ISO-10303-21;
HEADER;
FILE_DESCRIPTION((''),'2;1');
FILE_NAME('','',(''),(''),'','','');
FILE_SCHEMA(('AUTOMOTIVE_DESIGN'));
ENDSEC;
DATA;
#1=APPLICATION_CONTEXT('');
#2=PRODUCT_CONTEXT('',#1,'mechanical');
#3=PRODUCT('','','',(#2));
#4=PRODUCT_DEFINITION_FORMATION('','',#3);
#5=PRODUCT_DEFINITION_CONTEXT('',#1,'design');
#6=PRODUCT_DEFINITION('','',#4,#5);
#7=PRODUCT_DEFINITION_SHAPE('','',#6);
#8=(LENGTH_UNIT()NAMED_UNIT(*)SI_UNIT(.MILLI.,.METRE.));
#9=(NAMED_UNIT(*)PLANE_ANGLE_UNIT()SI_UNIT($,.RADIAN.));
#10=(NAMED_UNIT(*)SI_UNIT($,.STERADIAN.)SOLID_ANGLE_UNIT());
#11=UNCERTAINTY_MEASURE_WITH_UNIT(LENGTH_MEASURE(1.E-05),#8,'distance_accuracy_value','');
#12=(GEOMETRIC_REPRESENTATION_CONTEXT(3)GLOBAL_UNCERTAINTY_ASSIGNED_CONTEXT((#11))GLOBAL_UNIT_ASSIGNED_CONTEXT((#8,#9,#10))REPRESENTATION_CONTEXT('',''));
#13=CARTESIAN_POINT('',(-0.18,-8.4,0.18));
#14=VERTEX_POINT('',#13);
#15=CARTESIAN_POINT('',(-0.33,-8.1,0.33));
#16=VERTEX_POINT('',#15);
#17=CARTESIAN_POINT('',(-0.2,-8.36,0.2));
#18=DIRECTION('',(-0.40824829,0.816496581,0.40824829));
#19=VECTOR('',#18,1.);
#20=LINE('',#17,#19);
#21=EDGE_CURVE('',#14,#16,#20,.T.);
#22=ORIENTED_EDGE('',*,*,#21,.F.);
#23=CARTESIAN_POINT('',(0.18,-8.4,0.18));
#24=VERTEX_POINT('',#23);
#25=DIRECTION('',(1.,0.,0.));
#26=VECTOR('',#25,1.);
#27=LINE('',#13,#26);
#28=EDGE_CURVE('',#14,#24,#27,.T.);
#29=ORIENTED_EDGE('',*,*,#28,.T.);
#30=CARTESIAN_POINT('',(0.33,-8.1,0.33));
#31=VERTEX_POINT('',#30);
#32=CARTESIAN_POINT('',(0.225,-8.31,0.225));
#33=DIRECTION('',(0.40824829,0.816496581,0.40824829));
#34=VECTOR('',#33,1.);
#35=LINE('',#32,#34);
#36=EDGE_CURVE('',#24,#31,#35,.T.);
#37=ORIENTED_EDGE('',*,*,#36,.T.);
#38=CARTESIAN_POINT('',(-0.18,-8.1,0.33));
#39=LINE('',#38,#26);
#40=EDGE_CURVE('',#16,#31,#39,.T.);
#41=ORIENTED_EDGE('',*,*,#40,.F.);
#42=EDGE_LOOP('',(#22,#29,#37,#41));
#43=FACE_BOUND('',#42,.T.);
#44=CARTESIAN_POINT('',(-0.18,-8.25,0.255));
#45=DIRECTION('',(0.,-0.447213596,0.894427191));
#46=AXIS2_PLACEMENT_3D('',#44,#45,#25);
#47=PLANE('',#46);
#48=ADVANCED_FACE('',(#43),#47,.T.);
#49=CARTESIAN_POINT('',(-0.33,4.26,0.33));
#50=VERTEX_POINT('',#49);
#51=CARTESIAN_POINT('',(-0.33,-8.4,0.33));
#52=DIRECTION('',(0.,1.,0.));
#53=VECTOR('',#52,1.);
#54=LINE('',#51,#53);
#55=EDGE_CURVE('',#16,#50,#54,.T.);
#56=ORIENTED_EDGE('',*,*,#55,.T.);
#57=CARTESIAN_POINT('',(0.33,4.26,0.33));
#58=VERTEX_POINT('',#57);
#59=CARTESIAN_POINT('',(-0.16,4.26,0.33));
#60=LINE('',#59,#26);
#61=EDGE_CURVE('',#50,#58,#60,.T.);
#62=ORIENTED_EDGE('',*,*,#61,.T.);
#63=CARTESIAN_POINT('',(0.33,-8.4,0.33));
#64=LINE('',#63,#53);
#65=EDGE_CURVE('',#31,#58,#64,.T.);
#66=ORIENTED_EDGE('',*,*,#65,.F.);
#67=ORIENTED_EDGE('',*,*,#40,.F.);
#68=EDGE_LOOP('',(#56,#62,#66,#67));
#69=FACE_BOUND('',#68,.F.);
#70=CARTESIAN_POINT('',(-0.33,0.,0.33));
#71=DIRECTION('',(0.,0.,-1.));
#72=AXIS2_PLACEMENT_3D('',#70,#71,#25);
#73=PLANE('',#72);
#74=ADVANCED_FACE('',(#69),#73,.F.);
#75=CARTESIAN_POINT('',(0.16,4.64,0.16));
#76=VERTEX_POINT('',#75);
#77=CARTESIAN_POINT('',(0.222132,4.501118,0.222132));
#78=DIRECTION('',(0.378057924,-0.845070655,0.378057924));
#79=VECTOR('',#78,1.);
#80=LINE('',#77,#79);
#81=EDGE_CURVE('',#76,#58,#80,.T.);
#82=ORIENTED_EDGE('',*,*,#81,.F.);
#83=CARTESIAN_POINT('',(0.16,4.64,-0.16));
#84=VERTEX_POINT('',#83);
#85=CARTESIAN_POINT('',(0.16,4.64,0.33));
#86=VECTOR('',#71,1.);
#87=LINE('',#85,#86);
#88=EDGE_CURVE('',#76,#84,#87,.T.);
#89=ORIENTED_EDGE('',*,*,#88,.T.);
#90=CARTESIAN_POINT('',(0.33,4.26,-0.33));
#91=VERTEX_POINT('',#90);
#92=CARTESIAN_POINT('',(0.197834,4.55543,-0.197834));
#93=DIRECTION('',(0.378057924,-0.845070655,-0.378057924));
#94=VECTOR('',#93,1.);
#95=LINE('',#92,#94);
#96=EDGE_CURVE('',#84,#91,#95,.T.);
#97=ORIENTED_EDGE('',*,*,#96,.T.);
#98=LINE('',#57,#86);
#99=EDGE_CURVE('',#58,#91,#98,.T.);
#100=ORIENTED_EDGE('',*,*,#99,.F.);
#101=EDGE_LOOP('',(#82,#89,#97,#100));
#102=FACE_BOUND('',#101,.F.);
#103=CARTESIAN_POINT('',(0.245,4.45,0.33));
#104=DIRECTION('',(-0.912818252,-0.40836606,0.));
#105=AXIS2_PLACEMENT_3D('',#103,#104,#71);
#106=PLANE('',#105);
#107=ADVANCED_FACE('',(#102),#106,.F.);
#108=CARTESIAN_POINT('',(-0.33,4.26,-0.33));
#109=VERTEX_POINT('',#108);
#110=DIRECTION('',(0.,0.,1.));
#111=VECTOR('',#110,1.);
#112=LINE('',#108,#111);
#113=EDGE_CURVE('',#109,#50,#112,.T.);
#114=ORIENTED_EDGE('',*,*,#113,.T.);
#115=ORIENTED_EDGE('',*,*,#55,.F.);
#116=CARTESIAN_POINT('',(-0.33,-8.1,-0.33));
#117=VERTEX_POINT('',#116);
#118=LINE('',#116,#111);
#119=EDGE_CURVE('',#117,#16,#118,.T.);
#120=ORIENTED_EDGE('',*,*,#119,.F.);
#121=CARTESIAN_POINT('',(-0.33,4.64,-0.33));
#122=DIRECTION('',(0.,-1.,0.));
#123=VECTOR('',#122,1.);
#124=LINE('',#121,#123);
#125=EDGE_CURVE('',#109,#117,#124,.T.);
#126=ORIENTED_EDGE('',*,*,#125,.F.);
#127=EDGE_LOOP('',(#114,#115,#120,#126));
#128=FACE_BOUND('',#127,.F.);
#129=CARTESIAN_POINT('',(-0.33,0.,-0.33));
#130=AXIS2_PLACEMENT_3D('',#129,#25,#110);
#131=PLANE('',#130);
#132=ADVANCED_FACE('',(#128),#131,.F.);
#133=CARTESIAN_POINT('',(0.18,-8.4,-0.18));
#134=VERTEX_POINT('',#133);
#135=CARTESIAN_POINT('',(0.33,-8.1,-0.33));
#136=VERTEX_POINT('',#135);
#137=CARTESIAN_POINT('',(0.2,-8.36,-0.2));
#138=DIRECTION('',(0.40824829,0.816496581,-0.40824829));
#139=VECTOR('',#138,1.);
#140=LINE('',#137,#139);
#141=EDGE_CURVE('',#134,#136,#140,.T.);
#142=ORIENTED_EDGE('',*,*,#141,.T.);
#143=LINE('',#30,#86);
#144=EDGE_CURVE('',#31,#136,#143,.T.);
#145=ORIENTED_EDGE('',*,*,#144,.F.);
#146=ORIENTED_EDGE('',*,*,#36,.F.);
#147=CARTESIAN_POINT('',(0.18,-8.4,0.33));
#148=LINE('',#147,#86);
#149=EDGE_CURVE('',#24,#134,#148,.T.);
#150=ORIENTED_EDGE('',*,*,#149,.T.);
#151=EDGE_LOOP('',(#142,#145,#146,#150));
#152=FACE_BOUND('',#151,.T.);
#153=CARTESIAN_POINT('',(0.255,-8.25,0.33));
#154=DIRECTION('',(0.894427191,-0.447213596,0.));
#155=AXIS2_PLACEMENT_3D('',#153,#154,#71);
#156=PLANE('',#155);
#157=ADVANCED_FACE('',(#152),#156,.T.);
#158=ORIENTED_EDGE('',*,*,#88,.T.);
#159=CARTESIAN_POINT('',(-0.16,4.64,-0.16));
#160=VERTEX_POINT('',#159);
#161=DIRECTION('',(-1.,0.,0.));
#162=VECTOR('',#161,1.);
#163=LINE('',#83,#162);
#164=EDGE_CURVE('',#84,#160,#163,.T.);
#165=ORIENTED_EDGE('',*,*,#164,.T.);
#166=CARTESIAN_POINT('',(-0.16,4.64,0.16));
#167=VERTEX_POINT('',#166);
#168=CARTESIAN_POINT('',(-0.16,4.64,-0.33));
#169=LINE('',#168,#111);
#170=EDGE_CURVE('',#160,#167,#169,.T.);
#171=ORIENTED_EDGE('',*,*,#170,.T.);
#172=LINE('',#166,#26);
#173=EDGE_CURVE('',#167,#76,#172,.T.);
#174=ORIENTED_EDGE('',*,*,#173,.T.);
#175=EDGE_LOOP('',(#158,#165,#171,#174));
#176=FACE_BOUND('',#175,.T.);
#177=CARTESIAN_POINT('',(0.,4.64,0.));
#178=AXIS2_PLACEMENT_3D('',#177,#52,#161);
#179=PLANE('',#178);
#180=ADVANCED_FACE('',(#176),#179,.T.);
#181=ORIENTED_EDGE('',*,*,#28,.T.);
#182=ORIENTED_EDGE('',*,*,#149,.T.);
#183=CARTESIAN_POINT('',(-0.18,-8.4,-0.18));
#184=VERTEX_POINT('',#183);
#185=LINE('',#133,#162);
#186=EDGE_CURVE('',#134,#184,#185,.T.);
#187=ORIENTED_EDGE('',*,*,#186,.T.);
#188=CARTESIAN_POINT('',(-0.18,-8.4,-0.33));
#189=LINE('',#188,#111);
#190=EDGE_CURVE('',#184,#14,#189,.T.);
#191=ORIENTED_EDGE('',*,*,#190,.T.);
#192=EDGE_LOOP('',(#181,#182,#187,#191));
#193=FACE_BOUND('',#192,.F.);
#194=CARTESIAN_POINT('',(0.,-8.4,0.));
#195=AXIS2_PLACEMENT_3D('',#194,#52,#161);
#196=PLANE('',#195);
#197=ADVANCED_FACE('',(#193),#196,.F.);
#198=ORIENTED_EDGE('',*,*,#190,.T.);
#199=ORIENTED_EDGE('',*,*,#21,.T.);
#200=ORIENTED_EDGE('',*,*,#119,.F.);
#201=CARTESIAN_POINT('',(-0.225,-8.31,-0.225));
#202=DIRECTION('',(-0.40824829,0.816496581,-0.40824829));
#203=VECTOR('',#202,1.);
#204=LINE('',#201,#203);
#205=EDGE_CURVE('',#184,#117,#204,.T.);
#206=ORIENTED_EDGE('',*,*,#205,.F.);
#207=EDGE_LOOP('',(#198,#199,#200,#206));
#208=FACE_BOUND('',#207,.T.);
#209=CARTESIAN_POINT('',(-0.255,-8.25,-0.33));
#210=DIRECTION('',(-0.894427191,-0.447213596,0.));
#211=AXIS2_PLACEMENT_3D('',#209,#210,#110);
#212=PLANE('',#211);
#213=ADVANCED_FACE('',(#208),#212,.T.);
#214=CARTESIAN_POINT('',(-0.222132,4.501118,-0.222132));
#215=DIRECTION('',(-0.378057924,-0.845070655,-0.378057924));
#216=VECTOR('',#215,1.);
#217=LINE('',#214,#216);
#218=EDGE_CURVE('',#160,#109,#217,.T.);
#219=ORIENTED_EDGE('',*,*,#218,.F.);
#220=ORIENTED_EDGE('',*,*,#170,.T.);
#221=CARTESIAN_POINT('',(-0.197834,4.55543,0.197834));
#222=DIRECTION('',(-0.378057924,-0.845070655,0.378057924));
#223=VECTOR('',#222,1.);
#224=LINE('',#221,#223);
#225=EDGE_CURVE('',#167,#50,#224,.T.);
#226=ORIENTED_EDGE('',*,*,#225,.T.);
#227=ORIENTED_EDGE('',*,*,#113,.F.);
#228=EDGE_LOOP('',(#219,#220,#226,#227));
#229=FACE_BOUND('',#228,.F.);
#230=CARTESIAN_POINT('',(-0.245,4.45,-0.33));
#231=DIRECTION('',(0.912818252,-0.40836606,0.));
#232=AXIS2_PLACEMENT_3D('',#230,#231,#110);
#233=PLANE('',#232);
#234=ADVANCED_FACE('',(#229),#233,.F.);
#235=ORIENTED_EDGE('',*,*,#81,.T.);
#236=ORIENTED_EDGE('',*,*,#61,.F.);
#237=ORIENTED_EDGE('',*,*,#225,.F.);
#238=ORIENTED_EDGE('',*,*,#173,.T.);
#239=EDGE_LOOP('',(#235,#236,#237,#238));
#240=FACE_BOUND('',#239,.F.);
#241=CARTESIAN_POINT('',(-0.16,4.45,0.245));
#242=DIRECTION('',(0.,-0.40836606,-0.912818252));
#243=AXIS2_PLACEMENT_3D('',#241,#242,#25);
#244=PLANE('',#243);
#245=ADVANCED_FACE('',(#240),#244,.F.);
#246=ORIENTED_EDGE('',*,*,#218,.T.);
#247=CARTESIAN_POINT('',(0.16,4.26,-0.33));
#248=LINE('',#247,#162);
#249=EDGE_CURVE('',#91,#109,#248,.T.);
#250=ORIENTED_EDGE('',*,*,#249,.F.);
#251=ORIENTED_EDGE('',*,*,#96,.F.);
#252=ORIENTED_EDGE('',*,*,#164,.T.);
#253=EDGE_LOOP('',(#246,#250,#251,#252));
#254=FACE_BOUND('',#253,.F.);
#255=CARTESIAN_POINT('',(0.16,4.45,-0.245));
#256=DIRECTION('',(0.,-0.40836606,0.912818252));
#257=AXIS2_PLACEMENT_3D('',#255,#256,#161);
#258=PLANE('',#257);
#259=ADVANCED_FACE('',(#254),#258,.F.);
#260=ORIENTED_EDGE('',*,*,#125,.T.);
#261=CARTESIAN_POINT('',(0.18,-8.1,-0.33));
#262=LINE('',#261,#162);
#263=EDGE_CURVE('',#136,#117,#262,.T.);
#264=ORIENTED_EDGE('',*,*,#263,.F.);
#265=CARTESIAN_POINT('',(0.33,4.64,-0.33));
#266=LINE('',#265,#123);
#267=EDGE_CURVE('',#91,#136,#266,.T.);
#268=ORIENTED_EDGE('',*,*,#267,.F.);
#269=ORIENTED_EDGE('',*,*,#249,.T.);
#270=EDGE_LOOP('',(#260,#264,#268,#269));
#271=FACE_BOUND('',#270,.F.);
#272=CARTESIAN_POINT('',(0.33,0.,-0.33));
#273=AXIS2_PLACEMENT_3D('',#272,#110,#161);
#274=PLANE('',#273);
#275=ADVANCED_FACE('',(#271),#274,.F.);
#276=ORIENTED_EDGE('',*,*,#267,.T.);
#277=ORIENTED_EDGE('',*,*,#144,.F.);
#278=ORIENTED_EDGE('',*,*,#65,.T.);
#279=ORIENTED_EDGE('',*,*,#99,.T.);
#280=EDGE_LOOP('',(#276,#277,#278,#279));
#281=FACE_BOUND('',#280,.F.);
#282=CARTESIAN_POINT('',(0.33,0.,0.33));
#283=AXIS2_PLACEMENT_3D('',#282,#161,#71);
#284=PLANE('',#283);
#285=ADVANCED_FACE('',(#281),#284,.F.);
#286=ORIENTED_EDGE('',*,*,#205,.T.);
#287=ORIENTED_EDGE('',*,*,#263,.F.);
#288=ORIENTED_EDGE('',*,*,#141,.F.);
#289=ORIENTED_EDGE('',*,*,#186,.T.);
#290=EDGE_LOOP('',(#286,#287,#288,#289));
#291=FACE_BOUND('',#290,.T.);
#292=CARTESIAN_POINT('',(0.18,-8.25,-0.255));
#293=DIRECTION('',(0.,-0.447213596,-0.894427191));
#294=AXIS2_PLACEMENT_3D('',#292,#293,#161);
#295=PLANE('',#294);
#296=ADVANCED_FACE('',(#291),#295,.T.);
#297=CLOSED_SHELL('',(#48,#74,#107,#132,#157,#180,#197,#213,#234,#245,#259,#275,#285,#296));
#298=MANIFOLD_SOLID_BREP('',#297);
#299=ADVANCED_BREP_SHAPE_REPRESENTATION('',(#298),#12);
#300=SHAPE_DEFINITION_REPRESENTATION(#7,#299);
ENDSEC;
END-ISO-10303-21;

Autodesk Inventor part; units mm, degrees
ref_plane "YZ Plane" through (0, 0, 0) normal (1, 0, 0) x (0, 1, 0)
ref_plane "XZ Plane" through (0, 0, 0) normal (0, 1, 0) x (-1, 0, 0)
ref_plane "XY Plane" through (0, 0, 0) normal (0, 0, 1) x (1, 0, 0)
sketch "Sketch1" plane through (0, 0, 0) normal (0, 1, 0) x (-1, 0, 0)
  line L0 (0.33, 0.33) -> (-0.33, 0.33)
  line L1 (-0.33, 0.33) -> (-0.33, -0.33)
  line L2 (-0.33, -0.33) -> (0.33, -0.33)
  line L3 (0.33, -0.33) -> (0.33, 0.33)
  line L4 (0.33, 0.33) -> (-0.33, -0.33) construction
  line L5 (-0.33, 0.33) -> (0.33, -0.33) construction
  point P0 (0, 0)
  dimension "d0" = 0.66
  dimension "d1" = 0.66
extrude "Extrusion1" add sketch "Sketch1" along normal blind 4.64 and the other way blind 8.4
chamfer "Chamfer13" distance 0.17 distance2 0.38 1 edges at (0.33, 4.64, 0) measured on face at (0.11, 4.64, 0.11)
chamfer "Chamfer14" distance 0.17 distance2 0.38 1 edges at (-0.33, 4.64, 0) measured on face at (-0.0033, 4.64, 0.11)
chamfer "Chamfer15" distance 0.17 distance2 0.38 1 edges at (0, 4.64, 0.33) measured on face at (0.0533, 4.64, 0.11)
chamfer "Chamfer16" distance 0.17 distance2 0.38 1 edges at (0, 4.64, -0.33) measured on face at (0.0533, 4.64, -0.0033)
chamfer "Chamfer17" distance 0.15 distance2 0.3 1 edges at (0.33, -8.4, 0) measured on face at (0.11, -8.4, 0.11)
chamfer "Chamfer18" distance 0.15 distance2 0.3 1 edges at (-0.33, -8.4, 0) measured on face at (0.01, -8.4, 0.11)
chamfer "Chamfer19" distance 0.15 distance2 0.3 1 edges at (0, -8.4, 0.33) measured on face at (0.06, -8.4, 0.11)
chamfer "Chamfer20" distance 0.15 distance2 0.3 1 edges at (0, -8.4, -0.33) measured on face at (0.06, -8.4, 0.01)
properties part number "Molex_0901_pin"
